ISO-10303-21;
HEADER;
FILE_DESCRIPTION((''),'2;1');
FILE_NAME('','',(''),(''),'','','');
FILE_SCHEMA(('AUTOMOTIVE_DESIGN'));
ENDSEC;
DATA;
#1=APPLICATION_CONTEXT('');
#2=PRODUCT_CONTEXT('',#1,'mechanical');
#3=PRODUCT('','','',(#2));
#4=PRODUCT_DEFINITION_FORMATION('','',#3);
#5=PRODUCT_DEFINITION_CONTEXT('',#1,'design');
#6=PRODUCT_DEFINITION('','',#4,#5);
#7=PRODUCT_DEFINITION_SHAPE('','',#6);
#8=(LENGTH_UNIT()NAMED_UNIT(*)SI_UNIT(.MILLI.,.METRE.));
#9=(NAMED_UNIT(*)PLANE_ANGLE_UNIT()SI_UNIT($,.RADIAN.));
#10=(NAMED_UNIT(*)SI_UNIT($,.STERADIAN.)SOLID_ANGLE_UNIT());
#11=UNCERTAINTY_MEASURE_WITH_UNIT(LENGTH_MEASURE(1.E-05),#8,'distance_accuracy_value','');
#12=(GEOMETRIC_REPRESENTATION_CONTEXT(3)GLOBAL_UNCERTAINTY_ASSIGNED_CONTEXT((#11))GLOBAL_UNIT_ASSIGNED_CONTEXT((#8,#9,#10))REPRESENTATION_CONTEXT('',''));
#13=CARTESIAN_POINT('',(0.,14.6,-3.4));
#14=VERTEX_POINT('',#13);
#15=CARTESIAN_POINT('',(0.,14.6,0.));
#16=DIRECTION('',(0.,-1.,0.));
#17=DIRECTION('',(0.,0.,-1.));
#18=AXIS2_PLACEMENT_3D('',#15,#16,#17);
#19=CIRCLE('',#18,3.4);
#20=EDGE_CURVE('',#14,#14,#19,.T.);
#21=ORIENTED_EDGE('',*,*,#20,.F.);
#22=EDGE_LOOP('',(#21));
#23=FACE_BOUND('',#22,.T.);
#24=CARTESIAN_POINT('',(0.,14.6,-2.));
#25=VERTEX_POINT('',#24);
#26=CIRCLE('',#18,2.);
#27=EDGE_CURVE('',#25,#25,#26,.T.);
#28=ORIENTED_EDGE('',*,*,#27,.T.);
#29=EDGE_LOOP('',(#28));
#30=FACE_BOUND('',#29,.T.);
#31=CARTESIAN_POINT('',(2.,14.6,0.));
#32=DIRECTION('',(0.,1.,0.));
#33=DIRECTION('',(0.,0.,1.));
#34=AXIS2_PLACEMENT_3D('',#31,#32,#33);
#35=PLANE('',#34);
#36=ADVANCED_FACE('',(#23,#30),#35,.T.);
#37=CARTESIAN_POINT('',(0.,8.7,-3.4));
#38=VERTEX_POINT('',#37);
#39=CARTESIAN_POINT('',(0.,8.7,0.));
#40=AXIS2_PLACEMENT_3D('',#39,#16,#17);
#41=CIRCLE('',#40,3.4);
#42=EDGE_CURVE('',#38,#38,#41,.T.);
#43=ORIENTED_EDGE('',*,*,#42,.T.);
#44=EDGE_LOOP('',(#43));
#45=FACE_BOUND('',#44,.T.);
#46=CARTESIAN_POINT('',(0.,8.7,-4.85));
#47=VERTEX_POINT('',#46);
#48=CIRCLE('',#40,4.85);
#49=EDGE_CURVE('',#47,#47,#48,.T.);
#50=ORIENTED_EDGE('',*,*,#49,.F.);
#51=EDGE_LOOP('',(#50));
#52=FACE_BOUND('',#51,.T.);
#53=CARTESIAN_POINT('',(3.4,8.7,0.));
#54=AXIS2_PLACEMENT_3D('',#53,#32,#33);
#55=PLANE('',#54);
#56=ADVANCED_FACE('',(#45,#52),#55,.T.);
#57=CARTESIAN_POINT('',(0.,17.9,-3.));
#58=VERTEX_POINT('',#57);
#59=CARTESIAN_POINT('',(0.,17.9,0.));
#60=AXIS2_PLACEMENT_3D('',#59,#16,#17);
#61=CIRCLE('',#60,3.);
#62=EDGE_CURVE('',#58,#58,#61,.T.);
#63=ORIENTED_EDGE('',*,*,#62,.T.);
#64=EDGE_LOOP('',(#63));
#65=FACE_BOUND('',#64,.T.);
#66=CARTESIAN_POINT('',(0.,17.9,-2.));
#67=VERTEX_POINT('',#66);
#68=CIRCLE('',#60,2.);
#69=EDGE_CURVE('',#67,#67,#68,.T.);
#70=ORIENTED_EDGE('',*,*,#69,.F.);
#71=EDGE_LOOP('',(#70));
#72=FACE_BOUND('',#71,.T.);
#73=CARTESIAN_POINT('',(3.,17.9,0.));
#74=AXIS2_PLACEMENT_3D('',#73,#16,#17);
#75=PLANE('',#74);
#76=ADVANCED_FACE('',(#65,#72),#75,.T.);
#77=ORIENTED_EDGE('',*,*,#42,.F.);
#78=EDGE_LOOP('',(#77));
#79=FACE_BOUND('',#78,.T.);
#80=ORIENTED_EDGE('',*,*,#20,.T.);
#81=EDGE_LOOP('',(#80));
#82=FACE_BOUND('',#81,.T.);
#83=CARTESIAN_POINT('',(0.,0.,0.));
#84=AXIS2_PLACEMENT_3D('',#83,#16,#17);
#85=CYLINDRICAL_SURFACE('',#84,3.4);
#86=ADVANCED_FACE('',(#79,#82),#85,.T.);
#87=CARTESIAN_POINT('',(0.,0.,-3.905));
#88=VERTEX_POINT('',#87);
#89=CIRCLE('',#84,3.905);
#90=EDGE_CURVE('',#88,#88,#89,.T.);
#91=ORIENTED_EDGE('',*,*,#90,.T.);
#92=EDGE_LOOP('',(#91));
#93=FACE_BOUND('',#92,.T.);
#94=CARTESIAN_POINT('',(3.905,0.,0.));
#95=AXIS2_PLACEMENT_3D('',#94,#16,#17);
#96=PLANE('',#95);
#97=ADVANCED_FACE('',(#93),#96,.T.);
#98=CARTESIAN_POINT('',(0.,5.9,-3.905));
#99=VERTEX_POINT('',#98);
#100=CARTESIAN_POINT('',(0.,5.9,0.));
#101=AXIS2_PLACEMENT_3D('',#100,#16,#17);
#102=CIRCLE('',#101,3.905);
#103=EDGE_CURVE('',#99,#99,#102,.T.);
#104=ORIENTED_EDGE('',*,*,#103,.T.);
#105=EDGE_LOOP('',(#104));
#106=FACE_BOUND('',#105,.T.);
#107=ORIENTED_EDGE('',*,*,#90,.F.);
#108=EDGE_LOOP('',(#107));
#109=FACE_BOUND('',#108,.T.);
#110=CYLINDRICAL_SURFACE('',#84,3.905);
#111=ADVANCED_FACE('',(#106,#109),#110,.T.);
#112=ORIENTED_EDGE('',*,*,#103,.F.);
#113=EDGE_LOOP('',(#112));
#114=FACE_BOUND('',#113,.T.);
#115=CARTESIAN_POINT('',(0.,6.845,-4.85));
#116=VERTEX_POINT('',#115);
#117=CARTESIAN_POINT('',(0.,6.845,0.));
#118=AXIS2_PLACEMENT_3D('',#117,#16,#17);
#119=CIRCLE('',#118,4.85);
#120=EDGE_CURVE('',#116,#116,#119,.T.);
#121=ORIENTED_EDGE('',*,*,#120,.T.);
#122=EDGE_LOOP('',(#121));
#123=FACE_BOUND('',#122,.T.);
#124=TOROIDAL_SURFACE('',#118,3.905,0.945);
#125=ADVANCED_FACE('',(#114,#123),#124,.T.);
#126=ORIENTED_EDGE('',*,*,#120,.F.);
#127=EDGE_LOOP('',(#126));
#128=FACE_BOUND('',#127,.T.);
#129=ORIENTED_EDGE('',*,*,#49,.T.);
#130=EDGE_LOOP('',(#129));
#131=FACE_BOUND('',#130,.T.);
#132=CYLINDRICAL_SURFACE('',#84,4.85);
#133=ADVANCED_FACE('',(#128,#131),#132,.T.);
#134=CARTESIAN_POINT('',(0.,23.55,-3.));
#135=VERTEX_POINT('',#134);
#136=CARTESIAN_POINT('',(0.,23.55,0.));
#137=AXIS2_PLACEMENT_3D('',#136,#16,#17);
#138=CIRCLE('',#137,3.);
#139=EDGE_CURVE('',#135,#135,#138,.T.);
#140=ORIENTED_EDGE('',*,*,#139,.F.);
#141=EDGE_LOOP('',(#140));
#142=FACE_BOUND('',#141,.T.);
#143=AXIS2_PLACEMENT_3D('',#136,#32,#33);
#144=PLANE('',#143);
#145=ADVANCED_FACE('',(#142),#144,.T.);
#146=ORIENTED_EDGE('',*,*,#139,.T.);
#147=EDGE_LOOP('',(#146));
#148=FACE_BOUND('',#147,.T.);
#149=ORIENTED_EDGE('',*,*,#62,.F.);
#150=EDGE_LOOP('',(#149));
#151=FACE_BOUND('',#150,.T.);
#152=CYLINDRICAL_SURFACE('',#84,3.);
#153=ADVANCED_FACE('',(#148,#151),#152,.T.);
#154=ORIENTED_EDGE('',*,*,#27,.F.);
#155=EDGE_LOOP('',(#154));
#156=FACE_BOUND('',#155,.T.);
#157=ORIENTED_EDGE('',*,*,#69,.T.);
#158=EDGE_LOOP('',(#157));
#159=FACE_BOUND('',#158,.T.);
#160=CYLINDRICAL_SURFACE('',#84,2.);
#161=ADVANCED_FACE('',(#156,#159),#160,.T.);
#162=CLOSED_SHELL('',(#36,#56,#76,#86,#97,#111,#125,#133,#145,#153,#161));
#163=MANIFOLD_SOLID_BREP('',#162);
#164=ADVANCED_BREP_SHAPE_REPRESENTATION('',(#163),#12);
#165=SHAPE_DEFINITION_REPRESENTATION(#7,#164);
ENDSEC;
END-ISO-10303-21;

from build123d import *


with BuildPart() as part:
    # Sketch1 → Revolve1 (revolve)
    with BuildSketch(Plane.XY):
        with BuildLine():
            Line((0, 23.55), (3, 23.55))
            Line((3, 23.55), (3, 17.9))
            Line((3, 17.9), (2, 17.9))
            Line((2, 17.9), (2, 14.6))
            Line((2, 14.6), (3.4, 14.6))
            Line((3.4, 14.6), (3.4, 8.7))
            Line((3.4, 8.7), (4.85, 8.7))
            Line((4.85, 8.7), (4.85, 6.845))
            ThreePointArc((4.85, 6.845), (4.573215908, 6.176784092), (3.905, 5.9))
            Line((3.905, 5.9), (3.905, 0))
            Line((3.905, 0), (0, 0))
            Line((0, 0), (0, 23.55))
        make_face()
    revolve(axis=Axis((0, 0, 0), (0, 1, 0)))


solid = part.part
